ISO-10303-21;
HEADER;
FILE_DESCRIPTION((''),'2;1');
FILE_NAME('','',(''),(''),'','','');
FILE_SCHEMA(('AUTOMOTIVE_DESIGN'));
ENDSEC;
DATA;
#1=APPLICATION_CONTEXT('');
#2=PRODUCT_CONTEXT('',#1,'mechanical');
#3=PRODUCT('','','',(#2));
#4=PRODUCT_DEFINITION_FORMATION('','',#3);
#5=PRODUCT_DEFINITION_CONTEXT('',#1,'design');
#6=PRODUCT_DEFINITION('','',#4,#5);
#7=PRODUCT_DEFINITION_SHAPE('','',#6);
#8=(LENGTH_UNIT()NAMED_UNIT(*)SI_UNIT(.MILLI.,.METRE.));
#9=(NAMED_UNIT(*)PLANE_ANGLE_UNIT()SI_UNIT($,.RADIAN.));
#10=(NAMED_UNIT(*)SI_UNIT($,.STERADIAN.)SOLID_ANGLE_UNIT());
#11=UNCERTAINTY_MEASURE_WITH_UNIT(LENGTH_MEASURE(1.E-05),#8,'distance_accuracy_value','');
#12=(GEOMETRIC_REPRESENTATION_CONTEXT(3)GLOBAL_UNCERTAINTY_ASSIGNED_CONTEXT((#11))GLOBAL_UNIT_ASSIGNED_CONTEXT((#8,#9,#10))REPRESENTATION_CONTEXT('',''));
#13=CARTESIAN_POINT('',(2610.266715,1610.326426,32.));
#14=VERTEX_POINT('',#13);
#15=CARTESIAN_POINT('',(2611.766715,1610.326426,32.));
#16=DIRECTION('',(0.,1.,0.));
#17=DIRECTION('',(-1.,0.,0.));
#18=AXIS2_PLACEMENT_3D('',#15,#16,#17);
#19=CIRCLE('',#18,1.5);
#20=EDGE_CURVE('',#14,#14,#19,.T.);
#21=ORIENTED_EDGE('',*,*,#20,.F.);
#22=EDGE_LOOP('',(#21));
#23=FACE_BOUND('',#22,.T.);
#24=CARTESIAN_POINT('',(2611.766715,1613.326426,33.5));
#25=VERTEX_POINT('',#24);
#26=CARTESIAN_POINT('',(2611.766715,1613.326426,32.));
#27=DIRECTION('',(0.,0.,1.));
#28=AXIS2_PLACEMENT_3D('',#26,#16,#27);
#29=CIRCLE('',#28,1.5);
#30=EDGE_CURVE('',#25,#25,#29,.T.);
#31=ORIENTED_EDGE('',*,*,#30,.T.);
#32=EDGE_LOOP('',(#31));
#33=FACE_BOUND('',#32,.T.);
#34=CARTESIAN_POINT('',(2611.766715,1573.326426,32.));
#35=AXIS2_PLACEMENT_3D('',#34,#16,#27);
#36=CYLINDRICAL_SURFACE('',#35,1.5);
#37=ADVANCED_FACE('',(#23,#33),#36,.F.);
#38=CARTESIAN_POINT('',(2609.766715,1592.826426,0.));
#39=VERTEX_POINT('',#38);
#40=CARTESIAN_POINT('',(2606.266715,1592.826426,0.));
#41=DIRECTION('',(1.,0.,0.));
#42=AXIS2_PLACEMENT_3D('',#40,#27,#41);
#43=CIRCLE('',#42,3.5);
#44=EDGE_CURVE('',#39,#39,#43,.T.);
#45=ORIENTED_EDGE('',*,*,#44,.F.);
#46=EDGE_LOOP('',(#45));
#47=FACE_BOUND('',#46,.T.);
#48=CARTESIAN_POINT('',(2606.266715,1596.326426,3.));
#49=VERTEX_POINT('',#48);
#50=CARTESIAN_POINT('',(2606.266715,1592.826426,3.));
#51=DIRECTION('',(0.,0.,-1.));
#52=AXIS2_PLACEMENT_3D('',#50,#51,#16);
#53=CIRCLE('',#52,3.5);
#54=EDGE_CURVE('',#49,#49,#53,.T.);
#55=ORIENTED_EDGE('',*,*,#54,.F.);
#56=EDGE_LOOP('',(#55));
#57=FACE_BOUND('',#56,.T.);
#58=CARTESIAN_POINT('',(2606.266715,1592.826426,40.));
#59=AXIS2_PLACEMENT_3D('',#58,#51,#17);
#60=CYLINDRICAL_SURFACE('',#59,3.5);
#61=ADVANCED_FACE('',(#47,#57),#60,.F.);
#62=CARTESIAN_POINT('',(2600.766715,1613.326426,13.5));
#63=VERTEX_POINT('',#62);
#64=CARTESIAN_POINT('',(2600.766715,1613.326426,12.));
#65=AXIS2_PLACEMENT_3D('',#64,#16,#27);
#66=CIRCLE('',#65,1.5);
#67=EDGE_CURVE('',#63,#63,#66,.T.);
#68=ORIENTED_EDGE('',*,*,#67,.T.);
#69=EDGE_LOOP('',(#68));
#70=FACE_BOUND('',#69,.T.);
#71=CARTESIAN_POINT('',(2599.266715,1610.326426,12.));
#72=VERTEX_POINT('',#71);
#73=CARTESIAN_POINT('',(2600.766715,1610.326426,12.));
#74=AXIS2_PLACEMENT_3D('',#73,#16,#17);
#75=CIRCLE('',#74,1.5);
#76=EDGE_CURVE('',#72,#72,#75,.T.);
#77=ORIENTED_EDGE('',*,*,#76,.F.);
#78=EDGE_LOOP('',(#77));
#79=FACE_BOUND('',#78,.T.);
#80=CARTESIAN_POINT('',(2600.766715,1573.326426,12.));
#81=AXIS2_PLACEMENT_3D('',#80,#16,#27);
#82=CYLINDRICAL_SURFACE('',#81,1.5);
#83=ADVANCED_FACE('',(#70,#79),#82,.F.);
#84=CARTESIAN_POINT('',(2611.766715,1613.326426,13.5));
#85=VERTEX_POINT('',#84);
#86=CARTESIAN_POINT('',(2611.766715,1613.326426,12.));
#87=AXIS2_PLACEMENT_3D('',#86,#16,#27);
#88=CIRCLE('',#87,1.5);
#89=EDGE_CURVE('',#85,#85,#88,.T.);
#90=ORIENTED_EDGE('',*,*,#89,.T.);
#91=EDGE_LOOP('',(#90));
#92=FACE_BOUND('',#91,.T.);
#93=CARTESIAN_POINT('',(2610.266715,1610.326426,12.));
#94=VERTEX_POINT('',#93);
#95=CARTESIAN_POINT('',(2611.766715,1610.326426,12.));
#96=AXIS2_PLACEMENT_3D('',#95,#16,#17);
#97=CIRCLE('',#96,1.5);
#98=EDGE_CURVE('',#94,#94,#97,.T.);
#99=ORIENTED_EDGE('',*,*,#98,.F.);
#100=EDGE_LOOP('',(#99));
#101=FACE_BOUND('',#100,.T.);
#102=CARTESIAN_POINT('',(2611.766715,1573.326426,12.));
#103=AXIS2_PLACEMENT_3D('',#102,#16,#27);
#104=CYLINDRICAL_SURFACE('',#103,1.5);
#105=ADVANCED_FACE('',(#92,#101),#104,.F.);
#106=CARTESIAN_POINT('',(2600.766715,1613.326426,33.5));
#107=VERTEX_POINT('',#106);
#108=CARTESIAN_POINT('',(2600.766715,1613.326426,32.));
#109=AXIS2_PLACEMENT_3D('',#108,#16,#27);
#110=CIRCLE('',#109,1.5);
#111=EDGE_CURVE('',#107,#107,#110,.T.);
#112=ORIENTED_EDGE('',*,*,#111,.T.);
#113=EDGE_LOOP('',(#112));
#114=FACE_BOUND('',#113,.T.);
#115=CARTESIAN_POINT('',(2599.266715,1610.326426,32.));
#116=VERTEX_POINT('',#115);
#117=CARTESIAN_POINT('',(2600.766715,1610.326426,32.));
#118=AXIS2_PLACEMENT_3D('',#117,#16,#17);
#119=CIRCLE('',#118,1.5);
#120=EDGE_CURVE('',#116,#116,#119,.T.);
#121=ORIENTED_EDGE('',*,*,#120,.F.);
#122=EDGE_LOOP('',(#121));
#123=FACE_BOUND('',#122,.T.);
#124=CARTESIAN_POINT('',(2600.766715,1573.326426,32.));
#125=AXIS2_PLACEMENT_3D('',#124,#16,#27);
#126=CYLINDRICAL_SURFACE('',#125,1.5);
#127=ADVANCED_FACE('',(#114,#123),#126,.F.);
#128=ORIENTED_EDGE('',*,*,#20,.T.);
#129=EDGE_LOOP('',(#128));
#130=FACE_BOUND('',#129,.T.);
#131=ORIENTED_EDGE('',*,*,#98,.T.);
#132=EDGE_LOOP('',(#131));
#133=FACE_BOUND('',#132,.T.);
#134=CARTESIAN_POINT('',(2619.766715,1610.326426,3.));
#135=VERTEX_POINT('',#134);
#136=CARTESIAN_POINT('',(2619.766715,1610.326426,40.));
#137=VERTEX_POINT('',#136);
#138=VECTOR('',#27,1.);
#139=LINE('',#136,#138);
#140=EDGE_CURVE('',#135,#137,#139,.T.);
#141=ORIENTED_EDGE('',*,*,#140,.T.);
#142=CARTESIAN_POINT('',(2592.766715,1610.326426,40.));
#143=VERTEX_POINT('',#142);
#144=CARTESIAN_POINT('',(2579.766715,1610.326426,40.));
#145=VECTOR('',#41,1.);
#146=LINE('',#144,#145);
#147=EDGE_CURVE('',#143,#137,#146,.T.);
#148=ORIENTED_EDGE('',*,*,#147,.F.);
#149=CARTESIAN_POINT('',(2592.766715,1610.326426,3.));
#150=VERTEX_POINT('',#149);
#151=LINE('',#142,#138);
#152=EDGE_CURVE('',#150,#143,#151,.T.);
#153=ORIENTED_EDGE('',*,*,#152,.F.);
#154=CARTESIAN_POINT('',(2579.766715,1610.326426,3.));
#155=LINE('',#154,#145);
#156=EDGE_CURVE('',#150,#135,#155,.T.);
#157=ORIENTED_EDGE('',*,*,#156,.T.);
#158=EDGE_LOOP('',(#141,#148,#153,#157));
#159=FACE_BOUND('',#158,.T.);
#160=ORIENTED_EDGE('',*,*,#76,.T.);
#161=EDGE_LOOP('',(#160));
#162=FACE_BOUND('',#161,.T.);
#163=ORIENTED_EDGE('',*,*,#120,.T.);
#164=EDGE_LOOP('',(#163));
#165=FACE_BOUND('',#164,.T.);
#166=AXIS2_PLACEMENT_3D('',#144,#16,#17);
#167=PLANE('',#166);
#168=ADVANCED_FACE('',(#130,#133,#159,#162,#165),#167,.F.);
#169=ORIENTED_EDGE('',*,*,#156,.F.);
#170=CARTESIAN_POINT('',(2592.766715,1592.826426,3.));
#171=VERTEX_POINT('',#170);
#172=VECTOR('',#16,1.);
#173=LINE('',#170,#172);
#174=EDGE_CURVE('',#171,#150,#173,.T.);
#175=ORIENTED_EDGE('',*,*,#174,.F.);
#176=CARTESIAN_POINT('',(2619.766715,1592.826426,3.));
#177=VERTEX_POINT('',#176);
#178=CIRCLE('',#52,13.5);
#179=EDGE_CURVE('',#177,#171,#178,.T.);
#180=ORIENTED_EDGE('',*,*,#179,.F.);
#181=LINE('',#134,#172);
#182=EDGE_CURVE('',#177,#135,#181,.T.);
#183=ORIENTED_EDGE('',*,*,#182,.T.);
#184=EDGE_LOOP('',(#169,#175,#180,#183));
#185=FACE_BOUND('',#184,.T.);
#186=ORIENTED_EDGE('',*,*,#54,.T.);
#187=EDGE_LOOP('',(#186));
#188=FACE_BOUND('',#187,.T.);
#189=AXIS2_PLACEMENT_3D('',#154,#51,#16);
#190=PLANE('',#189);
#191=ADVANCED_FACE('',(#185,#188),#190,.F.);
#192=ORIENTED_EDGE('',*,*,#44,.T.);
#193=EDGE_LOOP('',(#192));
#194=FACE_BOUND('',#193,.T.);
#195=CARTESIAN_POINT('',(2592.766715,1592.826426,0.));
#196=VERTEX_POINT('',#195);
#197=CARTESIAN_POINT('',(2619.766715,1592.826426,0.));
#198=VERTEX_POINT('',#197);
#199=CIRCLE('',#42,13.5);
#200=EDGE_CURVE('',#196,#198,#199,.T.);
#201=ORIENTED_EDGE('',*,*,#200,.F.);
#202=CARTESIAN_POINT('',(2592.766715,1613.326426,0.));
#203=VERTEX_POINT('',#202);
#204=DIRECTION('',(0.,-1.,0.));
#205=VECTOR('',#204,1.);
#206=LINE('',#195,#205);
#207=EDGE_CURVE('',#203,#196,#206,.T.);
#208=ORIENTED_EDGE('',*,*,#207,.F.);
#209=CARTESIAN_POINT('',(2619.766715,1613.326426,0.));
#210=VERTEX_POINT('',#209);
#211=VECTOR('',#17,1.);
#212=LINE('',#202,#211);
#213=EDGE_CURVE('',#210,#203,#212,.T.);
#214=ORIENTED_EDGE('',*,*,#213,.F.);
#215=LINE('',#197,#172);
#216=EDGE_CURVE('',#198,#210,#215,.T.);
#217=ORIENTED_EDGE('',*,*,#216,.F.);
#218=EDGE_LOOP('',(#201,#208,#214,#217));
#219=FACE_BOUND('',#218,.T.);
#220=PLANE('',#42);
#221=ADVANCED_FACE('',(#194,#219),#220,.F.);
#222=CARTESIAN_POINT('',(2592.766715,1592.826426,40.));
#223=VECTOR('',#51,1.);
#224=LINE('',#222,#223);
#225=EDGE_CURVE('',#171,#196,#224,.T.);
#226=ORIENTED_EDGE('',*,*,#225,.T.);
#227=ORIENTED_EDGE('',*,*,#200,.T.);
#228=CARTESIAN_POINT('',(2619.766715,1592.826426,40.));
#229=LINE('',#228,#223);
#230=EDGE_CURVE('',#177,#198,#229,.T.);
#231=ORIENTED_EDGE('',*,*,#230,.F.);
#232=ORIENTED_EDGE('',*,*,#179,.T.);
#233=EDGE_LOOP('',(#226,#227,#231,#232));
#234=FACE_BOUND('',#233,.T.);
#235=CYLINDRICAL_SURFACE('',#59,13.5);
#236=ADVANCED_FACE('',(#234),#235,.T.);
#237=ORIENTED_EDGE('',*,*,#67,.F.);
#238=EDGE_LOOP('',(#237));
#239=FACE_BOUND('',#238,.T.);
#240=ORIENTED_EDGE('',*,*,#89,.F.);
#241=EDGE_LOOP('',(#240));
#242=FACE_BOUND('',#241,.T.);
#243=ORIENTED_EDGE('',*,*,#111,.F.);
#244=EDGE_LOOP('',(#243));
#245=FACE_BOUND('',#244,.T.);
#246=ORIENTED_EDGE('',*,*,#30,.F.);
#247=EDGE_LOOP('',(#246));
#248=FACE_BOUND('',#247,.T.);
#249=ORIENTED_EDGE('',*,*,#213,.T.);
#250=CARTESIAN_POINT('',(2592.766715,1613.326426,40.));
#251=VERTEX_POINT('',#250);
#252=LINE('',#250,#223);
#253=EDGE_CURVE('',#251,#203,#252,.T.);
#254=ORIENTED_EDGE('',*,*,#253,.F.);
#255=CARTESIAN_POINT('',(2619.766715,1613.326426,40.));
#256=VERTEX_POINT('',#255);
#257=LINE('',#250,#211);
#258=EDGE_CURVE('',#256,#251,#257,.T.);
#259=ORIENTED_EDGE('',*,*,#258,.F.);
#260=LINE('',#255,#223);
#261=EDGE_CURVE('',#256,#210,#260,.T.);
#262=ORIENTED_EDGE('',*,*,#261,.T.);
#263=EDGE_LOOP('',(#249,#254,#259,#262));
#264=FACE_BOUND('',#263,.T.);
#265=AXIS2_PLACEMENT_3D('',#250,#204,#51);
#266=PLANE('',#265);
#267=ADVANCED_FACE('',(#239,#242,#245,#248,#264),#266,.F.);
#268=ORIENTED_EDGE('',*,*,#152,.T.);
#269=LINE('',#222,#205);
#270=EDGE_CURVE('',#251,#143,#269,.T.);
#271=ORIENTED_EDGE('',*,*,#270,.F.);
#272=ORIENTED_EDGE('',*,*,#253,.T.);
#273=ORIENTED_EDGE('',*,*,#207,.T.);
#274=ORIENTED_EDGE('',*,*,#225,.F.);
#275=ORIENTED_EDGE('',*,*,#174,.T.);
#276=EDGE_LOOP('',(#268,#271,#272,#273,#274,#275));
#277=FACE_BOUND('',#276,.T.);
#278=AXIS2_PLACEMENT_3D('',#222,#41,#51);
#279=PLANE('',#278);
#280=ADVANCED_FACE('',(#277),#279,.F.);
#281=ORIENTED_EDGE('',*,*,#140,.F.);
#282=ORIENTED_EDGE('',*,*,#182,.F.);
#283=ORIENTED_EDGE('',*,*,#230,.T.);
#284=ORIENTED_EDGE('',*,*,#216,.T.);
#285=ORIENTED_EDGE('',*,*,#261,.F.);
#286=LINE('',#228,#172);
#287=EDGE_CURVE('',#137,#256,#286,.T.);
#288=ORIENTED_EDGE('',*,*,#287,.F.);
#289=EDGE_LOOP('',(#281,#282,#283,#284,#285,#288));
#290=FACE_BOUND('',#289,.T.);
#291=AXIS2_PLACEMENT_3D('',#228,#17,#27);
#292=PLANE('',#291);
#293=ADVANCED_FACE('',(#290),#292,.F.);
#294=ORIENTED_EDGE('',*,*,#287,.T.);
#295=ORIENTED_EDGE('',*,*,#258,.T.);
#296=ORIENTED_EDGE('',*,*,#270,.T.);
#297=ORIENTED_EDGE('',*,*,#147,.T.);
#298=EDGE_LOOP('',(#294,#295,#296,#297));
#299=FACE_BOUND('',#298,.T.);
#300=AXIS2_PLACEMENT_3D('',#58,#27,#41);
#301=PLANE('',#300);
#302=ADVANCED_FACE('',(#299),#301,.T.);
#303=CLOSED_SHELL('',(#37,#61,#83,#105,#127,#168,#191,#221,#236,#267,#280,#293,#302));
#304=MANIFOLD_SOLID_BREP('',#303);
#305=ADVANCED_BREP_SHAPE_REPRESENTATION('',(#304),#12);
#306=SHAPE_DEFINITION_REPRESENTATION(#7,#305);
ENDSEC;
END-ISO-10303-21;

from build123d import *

# Parameters (mm, degrees)
MODEL_R             = 3.5
EXTRUDE_1_DEPTH     = 40
SKETCH_3_W          = 37
SKETCH_3_H          = 37
CUT_EXTRUDE_1_DEPTH = 40
SKETCH_4_R          = 1.5
CUT_EXTRUDE_2_DEPTH = 40


with BuildPart() as part:
    # Model → 凸台-拉伸1 (new body)
    with BuildSketch(Plane.XY):
        with BuildLine():
            Line((2619.766714505, 1592.826425633), (2619.766714505, 1613.326425633))
            Line((2619.766714505, 1613.326425633), (2592.766714505, 1613.326425633))
            Line((2592.766714505, 1613.326425633), (2592.766714505, 1592.826425633))
            ThreePointArc((2592.766714505, 1592.826425633), (2606.266714505, 1579.326425633), (2619.766714505, 1592.826425633))
        make_face()
        with Locations((2606.266714505, 1592.826425633)):
            Circle(MODEL_R, mode=Mode.SUBTRACT)
    extrude(amount=EXTRUDE_1_DEPTH)

    # 草图3 → 切除-拉伸1 (cut)
    with BuildSketch(Plane(origin=(2619.766714505, 0, 0), x_dir=(0, 0, -1), z_dir=(1, 0, 0))):
        with Locations((-21.5, 1591.826425633)):
            Rectangle(SKETCH_3_W, SKETCH_3_H)
    extrude(amount=-CUT_EXTRUDE_1_DEPTH, mode=Mode.SUBTRACT)

    # 草图4 → 切除-拉伸2 (cut)
    with BuildSketch(Plane(origin=(0, 1613.326425633, 0), x_dir=(1, 0, 0), z_dir=(0, 1, 0))):
        with Locations(Location((2600.766714505, -32, 0), (0, 0, 270))):
            Circle(SKETCH_4_R)
        with Locations(Location((2611.766714505, -32, 0), (0, 0, 270))):
            Circle(SKETCH_4_R)
        with Locations(Location((2600.766714505, -12, 0), (0, 0, 270))):
            Circle(SKETCH_4_R)
        with Locations(Location((2611.766714505, -12, 0), (0, 0, 270))):
            Circle(SKETCH_4_R)
    extrude(amount=-CUT_EXTRUDE_2_DEPTH, mode=Mode.SUBTRACT)


solid = part.part
